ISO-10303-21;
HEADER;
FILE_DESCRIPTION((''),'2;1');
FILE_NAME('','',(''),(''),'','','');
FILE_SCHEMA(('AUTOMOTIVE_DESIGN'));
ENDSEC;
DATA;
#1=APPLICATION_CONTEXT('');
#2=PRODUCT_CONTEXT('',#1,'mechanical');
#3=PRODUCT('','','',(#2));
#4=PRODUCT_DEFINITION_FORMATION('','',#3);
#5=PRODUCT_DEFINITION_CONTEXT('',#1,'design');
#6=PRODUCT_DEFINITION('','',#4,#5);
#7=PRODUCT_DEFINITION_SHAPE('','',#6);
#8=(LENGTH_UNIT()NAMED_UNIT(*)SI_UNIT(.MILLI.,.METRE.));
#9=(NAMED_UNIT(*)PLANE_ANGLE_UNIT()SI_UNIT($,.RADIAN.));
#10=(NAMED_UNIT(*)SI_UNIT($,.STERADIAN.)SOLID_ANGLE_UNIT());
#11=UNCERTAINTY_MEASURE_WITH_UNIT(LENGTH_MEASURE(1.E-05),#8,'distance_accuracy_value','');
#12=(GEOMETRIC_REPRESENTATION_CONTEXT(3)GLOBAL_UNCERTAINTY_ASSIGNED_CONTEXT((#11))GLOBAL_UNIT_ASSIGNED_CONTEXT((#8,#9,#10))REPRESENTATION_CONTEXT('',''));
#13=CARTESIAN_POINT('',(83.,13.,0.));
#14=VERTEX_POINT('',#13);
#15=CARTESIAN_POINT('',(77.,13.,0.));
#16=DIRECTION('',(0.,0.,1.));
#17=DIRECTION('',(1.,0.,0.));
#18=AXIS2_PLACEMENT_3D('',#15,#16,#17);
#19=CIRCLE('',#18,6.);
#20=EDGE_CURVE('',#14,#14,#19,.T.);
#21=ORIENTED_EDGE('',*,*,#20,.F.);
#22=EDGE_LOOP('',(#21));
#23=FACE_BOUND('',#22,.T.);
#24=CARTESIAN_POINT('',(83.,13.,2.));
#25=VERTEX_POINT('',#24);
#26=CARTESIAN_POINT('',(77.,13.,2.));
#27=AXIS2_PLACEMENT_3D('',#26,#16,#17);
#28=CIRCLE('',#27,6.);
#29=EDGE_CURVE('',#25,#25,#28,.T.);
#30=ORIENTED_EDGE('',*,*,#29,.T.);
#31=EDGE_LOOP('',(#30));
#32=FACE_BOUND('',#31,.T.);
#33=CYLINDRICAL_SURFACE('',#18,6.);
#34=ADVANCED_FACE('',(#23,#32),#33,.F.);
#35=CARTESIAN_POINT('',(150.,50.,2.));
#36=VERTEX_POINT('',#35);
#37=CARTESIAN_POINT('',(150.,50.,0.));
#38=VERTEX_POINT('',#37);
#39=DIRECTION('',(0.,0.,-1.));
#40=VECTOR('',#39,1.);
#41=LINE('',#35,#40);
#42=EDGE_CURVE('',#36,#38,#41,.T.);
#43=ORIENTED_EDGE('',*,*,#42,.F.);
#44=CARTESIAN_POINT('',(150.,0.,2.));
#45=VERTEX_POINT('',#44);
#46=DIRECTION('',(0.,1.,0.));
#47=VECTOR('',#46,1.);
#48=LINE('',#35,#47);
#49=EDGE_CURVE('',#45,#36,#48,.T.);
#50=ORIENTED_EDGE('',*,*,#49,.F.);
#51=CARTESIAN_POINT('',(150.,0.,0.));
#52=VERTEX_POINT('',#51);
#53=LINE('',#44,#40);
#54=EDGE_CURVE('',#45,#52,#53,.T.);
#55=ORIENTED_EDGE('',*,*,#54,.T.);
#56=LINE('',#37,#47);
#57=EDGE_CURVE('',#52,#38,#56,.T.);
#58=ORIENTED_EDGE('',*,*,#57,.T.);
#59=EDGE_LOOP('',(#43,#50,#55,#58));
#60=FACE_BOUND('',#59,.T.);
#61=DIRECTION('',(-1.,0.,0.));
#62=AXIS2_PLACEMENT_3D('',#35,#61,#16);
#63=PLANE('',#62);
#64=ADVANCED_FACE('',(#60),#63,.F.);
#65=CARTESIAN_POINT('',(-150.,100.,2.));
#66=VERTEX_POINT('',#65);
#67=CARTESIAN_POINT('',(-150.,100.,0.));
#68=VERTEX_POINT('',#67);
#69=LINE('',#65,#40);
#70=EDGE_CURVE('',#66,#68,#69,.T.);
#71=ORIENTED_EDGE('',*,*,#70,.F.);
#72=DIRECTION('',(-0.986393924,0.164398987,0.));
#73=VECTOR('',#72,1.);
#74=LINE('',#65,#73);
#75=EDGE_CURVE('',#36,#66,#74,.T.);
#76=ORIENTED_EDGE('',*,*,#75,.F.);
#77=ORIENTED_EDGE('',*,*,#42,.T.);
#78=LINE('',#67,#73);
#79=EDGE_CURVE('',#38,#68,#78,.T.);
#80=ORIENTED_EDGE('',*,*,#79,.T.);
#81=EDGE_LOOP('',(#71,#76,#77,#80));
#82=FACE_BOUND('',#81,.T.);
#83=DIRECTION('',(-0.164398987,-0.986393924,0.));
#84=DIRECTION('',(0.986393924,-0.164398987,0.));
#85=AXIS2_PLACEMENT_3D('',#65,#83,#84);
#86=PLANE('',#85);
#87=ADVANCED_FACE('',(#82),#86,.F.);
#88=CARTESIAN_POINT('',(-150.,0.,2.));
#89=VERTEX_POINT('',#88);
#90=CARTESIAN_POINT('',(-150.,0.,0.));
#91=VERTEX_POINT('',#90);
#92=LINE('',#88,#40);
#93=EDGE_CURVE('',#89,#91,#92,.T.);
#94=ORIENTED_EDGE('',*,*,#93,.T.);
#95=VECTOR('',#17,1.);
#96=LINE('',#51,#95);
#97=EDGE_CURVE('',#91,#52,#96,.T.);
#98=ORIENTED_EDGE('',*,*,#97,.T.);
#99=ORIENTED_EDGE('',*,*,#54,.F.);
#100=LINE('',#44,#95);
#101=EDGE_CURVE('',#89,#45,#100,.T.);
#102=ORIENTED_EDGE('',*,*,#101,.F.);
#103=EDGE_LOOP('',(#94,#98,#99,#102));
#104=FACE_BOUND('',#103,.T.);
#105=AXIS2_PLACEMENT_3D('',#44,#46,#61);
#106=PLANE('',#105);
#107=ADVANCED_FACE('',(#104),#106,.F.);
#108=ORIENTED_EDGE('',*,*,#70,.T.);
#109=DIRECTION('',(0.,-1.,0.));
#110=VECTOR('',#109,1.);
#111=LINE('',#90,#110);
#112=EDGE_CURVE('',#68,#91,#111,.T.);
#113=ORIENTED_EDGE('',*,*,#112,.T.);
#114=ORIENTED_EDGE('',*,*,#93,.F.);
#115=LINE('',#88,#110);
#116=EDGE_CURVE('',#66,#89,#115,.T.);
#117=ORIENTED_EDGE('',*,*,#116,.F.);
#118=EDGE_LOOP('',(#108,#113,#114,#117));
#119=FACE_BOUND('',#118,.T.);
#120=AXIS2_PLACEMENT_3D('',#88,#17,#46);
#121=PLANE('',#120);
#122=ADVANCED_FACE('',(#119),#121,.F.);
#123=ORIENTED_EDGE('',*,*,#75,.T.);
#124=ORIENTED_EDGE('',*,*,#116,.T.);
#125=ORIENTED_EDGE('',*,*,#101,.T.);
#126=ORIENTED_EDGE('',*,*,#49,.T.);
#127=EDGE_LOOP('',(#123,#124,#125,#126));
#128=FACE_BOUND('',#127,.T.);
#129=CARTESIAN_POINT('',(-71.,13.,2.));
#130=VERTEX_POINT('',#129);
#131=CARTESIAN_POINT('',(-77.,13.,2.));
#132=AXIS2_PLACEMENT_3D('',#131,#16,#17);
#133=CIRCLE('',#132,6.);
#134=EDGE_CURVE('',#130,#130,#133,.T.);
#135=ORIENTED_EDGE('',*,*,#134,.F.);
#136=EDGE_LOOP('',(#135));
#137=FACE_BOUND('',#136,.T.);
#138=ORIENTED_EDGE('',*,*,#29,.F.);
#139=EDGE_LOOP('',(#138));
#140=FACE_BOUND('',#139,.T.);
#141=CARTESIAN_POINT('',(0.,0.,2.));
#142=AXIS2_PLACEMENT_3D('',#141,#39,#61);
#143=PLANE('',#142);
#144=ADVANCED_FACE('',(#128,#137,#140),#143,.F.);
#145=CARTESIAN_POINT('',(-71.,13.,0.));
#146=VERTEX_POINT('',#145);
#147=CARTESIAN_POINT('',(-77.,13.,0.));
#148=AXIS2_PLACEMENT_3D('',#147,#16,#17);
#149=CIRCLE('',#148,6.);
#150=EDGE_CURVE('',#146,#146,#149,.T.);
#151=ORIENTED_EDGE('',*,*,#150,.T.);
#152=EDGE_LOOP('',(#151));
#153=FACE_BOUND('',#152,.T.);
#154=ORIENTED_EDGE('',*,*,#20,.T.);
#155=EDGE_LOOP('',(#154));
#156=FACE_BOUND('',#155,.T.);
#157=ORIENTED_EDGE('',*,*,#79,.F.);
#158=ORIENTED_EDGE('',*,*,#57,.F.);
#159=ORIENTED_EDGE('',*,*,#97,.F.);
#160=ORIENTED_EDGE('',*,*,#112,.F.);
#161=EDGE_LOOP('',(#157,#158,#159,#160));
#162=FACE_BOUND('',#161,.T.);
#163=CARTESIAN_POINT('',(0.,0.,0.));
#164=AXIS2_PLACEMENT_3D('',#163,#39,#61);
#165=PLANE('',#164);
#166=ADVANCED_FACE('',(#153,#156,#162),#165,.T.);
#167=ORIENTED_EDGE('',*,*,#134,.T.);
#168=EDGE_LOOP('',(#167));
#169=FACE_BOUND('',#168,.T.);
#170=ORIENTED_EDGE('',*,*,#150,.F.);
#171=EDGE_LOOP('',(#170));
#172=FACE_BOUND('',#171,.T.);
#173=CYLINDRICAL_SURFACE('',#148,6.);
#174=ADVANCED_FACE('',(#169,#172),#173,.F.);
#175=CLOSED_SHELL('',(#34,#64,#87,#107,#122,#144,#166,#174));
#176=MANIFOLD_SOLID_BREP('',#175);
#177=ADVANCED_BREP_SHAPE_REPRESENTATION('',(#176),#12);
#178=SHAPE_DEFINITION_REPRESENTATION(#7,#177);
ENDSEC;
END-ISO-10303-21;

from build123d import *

# Parameters (mm, degrees)
SALIENTE_EXTRUIR1_DEPTH = 2
CROQUIS2_R              = 6
CORTAR_EXTRUIR1_DEPTH   = 181.288657436


with BuildPart() as part:
    # Croquis1 → Saliente-Extruir1 (new body)
    with BuildSketch(Plane.XY):
        Polygon((150, 0), (-150, 0), (-150, 100), (150, 50), align=None)
    extrude(amount=SALIENTE_EXTRUIR1_DEPTH)

    # Croquis2 → Cortar-Extruir1 (cut, through all)
    with BuildSketch(Plane.XY.offset(2)):
        with Locations((-77, 13)):
            Circle(CROQUIS2_R)
        with Locations((77, 13)):
            Circle(CROQUIS2_R)
    extrude(amount=-CORTAR_EXTRUIR1_DEPTH, mode=Mode.SUBTRACT)


solid = part.part
